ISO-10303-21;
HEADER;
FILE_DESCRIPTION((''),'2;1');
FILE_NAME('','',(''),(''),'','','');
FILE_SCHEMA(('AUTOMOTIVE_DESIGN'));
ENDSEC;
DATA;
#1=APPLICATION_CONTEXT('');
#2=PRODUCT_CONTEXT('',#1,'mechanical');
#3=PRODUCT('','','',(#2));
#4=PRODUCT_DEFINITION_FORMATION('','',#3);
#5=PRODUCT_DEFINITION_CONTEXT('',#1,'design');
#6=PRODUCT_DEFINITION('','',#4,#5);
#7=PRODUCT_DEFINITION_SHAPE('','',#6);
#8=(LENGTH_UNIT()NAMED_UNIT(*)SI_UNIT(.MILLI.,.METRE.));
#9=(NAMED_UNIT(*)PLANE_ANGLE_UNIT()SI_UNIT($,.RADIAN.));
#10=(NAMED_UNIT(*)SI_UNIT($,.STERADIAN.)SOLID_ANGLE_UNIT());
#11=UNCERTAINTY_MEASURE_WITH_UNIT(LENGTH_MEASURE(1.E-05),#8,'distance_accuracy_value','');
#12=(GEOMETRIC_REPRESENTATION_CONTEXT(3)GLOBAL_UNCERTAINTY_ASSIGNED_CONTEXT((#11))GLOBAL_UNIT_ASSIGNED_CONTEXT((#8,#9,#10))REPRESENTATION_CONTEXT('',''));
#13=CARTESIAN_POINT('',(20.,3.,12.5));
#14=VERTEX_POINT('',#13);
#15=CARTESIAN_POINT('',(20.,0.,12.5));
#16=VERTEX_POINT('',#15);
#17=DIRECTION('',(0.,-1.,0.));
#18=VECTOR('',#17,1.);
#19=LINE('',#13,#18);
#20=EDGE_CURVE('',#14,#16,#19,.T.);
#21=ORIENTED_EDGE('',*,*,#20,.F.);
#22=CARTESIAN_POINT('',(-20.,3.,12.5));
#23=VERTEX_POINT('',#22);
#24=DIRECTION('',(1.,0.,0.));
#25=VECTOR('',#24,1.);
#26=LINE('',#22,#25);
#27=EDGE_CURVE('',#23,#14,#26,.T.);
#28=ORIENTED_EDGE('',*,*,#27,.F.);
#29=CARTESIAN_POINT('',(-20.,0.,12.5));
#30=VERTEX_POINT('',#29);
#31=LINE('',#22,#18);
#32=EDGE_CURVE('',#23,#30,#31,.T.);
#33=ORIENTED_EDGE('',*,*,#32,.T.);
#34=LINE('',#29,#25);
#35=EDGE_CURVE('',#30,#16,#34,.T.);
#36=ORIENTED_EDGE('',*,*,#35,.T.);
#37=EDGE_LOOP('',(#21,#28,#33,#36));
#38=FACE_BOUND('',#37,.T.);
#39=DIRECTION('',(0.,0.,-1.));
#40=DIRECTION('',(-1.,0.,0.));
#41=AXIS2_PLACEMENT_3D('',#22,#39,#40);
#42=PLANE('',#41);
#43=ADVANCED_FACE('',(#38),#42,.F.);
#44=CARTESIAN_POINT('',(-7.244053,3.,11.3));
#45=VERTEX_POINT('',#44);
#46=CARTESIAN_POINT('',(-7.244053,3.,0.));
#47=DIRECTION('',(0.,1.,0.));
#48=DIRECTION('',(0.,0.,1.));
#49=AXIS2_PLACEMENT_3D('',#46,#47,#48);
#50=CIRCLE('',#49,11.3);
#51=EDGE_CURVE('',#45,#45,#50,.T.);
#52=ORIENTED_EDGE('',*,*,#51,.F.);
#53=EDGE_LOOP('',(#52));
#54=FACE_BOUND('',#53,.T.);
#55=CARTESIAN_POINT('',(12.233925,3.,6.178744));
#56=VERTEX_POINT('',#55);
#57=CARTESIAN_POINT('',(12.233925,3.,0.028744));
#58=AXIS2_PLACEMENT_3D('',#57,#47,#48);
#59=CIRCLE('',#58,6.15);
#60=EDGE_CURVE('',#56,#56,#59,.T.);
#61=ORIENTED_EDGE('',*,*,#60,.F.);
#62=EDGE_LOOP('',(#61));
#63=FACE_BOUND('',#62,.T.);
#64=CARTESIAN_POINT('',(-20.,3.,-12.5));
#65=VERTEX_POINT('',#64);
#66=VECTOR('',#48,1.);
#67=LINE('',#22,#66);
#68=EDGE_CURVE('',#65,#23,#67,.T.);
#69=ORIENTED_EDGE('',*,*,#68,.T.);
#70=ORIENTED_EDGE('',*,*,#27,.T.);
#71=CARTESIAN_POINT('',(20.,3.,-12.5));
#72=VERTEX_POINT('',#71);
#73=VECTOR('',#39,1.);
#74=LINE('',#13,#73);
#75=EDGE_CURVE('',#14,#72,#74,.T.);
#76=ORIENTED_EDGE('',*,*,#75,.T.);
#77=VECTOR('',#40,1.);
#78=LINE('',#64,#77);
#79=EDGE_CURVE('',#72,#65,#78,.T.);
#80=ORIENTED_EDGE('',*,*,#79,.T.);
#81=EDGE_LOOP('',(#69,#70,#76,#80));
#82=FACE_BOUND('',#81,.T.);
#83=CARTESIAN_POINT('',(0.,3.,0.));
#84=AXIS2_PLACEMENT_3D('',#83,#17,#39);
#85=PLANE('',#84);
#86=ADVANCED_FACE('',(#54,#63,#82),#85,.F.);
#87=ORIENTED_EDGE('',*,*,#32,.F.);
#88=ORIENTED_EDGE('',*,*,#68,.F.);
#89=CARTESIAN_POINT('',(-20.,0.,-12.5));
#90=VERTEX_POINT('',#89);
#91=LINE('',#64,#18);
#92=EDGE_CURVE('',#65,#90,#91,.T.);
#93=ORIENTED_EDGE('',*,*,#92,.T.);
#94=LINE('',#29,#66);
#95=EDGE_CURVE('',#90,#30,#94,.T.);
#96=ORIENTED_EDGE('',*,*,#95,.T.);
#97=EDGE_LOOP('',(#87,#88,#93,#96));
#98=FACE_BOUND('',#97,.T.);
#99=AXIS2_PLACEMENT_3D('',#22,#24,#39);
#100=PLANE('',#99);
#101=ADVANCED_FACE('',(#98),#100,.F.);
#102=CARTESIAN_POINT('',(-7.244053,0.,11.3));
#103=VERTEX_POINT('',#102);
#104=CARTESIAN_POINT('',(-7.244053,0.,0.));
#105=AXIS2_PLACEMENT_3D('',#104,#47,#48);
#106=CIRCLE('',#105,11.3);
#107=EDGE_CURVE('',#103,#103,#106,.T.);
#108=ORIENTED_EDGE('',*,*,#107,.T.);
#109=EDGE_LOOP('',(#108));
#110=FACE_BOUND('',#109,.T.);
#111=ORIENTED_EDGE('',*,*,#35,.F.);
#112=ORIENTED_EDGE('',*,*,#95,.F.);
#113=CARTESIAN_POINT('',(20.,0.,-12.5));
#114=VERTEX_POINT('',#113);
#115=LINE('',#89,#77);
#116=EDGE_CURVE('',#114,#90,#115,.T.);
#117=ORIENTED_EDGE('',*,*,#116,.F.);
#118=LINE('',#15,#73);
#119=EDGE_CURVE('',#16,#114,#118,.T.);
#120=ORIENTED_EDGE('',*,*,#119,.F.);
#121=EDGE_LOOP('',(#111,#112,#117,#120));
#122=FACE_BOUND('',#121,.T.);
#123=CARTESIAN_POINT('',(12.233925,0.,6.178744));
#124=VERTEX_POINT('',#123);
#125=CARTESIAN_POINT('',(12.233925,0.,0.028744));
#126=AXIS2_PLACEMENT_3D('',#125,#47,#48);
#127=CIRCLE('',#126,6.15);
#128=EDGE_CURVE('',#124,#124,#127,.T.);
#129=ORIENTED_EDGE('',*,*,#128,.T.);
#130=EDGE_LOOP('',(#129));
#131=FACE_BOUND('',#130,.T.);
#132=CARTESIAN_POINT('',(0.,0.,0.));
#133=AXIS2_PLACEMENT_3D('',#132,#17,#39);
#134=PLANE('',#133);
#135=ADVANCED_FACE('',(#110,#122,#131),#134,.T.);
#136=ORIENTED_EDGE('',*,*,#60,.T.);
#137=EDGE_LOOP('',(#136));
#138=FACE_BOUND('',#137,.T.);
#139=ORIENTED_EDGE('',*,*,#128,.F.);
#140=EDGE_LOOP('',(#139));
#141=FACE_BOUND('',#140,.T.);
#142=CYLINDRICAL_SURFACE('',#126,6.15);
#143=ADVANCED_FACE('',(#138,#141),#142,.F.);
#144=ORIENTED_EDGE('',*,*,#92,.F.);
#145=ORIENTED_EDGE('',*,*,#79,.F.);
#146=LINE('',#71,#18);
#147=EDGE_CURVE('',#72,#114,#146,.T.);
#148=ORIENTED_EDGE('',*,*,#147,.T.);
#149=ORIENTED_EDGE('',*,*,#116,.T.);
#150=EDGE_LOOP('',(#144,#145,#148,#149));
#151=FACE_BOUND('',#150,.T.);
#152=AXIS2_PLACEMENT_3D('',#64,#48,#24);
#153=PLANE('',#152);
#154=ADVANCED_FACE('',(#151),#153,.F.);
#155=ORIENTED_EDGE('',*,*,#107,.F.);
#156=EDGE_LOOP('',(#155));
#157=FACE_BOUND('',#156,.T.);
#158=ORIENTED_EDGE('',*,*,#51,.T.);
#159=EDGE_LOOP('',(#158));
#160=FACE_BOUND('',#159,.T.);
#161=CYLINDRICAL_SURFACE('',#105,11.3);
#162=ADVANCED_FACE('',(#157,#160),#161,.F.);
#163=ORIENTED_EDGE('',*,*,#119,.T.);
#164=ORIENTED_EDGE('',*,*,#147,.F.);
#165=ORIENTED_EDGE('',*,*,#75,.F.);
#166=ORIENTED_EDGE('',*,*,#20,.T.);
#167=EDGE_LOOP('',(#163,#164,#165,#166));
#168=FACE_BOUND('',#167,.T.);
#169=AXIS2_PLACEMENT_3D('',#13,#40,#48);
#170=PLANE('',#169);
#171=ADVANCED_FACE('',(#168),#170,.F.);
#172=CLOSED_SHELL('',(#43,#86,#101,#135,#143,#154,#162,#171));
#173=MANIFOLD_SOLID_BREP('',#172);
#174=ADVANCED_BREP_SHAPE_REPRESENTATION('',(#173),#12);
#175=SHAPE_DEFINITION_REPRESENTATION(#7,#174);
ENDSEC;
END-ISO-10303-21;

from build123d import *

# Parameters (mm, degrees)
SKETCH1_W           = 40
SKETCH1_H           = 25
BOSS_EXTRUDE1_DEPTH = 3
SKETCH2_R           = 11.3
SKETCH2_R_2         = 6.15
CUT_EXTRUDE1_DEPTH  = 24.774986856


with BuildPart() as part:
    # Sketch1 → Boss-Extrude1 (new body)
    with BuildSketch(Plane(origin=(0, 0, 0), x_dir=(1, 0, 0), z_dir=(0, 1, 0))):
        Rectangle(SKETCH1_W, SKETCH1_H)
    extrude(amount=BOSS_EXTRUDE1_DEPTH)

    # Sketch2 → Cut-Extrude1 (cut, through all)
    with BuildSketch(Plane(origin=(0, 3, 0), x_dir=(1, 0, 0), z_dir=(0, 1, 0))):
        with Locations(Location((-7.244052775, 0, 0), (0, 0, 270))):
            Circle(SKETCH2_R)
        with Locations(Location((12.233925016, -0.028743504, 0), (0, 0, 270))):
            Circle(SKETCH2_R_2)
    extrude(amount=-CUT_EXTRUDE1_DEPTH, mode=Mode.SUBTRACT)


solid = part.part
